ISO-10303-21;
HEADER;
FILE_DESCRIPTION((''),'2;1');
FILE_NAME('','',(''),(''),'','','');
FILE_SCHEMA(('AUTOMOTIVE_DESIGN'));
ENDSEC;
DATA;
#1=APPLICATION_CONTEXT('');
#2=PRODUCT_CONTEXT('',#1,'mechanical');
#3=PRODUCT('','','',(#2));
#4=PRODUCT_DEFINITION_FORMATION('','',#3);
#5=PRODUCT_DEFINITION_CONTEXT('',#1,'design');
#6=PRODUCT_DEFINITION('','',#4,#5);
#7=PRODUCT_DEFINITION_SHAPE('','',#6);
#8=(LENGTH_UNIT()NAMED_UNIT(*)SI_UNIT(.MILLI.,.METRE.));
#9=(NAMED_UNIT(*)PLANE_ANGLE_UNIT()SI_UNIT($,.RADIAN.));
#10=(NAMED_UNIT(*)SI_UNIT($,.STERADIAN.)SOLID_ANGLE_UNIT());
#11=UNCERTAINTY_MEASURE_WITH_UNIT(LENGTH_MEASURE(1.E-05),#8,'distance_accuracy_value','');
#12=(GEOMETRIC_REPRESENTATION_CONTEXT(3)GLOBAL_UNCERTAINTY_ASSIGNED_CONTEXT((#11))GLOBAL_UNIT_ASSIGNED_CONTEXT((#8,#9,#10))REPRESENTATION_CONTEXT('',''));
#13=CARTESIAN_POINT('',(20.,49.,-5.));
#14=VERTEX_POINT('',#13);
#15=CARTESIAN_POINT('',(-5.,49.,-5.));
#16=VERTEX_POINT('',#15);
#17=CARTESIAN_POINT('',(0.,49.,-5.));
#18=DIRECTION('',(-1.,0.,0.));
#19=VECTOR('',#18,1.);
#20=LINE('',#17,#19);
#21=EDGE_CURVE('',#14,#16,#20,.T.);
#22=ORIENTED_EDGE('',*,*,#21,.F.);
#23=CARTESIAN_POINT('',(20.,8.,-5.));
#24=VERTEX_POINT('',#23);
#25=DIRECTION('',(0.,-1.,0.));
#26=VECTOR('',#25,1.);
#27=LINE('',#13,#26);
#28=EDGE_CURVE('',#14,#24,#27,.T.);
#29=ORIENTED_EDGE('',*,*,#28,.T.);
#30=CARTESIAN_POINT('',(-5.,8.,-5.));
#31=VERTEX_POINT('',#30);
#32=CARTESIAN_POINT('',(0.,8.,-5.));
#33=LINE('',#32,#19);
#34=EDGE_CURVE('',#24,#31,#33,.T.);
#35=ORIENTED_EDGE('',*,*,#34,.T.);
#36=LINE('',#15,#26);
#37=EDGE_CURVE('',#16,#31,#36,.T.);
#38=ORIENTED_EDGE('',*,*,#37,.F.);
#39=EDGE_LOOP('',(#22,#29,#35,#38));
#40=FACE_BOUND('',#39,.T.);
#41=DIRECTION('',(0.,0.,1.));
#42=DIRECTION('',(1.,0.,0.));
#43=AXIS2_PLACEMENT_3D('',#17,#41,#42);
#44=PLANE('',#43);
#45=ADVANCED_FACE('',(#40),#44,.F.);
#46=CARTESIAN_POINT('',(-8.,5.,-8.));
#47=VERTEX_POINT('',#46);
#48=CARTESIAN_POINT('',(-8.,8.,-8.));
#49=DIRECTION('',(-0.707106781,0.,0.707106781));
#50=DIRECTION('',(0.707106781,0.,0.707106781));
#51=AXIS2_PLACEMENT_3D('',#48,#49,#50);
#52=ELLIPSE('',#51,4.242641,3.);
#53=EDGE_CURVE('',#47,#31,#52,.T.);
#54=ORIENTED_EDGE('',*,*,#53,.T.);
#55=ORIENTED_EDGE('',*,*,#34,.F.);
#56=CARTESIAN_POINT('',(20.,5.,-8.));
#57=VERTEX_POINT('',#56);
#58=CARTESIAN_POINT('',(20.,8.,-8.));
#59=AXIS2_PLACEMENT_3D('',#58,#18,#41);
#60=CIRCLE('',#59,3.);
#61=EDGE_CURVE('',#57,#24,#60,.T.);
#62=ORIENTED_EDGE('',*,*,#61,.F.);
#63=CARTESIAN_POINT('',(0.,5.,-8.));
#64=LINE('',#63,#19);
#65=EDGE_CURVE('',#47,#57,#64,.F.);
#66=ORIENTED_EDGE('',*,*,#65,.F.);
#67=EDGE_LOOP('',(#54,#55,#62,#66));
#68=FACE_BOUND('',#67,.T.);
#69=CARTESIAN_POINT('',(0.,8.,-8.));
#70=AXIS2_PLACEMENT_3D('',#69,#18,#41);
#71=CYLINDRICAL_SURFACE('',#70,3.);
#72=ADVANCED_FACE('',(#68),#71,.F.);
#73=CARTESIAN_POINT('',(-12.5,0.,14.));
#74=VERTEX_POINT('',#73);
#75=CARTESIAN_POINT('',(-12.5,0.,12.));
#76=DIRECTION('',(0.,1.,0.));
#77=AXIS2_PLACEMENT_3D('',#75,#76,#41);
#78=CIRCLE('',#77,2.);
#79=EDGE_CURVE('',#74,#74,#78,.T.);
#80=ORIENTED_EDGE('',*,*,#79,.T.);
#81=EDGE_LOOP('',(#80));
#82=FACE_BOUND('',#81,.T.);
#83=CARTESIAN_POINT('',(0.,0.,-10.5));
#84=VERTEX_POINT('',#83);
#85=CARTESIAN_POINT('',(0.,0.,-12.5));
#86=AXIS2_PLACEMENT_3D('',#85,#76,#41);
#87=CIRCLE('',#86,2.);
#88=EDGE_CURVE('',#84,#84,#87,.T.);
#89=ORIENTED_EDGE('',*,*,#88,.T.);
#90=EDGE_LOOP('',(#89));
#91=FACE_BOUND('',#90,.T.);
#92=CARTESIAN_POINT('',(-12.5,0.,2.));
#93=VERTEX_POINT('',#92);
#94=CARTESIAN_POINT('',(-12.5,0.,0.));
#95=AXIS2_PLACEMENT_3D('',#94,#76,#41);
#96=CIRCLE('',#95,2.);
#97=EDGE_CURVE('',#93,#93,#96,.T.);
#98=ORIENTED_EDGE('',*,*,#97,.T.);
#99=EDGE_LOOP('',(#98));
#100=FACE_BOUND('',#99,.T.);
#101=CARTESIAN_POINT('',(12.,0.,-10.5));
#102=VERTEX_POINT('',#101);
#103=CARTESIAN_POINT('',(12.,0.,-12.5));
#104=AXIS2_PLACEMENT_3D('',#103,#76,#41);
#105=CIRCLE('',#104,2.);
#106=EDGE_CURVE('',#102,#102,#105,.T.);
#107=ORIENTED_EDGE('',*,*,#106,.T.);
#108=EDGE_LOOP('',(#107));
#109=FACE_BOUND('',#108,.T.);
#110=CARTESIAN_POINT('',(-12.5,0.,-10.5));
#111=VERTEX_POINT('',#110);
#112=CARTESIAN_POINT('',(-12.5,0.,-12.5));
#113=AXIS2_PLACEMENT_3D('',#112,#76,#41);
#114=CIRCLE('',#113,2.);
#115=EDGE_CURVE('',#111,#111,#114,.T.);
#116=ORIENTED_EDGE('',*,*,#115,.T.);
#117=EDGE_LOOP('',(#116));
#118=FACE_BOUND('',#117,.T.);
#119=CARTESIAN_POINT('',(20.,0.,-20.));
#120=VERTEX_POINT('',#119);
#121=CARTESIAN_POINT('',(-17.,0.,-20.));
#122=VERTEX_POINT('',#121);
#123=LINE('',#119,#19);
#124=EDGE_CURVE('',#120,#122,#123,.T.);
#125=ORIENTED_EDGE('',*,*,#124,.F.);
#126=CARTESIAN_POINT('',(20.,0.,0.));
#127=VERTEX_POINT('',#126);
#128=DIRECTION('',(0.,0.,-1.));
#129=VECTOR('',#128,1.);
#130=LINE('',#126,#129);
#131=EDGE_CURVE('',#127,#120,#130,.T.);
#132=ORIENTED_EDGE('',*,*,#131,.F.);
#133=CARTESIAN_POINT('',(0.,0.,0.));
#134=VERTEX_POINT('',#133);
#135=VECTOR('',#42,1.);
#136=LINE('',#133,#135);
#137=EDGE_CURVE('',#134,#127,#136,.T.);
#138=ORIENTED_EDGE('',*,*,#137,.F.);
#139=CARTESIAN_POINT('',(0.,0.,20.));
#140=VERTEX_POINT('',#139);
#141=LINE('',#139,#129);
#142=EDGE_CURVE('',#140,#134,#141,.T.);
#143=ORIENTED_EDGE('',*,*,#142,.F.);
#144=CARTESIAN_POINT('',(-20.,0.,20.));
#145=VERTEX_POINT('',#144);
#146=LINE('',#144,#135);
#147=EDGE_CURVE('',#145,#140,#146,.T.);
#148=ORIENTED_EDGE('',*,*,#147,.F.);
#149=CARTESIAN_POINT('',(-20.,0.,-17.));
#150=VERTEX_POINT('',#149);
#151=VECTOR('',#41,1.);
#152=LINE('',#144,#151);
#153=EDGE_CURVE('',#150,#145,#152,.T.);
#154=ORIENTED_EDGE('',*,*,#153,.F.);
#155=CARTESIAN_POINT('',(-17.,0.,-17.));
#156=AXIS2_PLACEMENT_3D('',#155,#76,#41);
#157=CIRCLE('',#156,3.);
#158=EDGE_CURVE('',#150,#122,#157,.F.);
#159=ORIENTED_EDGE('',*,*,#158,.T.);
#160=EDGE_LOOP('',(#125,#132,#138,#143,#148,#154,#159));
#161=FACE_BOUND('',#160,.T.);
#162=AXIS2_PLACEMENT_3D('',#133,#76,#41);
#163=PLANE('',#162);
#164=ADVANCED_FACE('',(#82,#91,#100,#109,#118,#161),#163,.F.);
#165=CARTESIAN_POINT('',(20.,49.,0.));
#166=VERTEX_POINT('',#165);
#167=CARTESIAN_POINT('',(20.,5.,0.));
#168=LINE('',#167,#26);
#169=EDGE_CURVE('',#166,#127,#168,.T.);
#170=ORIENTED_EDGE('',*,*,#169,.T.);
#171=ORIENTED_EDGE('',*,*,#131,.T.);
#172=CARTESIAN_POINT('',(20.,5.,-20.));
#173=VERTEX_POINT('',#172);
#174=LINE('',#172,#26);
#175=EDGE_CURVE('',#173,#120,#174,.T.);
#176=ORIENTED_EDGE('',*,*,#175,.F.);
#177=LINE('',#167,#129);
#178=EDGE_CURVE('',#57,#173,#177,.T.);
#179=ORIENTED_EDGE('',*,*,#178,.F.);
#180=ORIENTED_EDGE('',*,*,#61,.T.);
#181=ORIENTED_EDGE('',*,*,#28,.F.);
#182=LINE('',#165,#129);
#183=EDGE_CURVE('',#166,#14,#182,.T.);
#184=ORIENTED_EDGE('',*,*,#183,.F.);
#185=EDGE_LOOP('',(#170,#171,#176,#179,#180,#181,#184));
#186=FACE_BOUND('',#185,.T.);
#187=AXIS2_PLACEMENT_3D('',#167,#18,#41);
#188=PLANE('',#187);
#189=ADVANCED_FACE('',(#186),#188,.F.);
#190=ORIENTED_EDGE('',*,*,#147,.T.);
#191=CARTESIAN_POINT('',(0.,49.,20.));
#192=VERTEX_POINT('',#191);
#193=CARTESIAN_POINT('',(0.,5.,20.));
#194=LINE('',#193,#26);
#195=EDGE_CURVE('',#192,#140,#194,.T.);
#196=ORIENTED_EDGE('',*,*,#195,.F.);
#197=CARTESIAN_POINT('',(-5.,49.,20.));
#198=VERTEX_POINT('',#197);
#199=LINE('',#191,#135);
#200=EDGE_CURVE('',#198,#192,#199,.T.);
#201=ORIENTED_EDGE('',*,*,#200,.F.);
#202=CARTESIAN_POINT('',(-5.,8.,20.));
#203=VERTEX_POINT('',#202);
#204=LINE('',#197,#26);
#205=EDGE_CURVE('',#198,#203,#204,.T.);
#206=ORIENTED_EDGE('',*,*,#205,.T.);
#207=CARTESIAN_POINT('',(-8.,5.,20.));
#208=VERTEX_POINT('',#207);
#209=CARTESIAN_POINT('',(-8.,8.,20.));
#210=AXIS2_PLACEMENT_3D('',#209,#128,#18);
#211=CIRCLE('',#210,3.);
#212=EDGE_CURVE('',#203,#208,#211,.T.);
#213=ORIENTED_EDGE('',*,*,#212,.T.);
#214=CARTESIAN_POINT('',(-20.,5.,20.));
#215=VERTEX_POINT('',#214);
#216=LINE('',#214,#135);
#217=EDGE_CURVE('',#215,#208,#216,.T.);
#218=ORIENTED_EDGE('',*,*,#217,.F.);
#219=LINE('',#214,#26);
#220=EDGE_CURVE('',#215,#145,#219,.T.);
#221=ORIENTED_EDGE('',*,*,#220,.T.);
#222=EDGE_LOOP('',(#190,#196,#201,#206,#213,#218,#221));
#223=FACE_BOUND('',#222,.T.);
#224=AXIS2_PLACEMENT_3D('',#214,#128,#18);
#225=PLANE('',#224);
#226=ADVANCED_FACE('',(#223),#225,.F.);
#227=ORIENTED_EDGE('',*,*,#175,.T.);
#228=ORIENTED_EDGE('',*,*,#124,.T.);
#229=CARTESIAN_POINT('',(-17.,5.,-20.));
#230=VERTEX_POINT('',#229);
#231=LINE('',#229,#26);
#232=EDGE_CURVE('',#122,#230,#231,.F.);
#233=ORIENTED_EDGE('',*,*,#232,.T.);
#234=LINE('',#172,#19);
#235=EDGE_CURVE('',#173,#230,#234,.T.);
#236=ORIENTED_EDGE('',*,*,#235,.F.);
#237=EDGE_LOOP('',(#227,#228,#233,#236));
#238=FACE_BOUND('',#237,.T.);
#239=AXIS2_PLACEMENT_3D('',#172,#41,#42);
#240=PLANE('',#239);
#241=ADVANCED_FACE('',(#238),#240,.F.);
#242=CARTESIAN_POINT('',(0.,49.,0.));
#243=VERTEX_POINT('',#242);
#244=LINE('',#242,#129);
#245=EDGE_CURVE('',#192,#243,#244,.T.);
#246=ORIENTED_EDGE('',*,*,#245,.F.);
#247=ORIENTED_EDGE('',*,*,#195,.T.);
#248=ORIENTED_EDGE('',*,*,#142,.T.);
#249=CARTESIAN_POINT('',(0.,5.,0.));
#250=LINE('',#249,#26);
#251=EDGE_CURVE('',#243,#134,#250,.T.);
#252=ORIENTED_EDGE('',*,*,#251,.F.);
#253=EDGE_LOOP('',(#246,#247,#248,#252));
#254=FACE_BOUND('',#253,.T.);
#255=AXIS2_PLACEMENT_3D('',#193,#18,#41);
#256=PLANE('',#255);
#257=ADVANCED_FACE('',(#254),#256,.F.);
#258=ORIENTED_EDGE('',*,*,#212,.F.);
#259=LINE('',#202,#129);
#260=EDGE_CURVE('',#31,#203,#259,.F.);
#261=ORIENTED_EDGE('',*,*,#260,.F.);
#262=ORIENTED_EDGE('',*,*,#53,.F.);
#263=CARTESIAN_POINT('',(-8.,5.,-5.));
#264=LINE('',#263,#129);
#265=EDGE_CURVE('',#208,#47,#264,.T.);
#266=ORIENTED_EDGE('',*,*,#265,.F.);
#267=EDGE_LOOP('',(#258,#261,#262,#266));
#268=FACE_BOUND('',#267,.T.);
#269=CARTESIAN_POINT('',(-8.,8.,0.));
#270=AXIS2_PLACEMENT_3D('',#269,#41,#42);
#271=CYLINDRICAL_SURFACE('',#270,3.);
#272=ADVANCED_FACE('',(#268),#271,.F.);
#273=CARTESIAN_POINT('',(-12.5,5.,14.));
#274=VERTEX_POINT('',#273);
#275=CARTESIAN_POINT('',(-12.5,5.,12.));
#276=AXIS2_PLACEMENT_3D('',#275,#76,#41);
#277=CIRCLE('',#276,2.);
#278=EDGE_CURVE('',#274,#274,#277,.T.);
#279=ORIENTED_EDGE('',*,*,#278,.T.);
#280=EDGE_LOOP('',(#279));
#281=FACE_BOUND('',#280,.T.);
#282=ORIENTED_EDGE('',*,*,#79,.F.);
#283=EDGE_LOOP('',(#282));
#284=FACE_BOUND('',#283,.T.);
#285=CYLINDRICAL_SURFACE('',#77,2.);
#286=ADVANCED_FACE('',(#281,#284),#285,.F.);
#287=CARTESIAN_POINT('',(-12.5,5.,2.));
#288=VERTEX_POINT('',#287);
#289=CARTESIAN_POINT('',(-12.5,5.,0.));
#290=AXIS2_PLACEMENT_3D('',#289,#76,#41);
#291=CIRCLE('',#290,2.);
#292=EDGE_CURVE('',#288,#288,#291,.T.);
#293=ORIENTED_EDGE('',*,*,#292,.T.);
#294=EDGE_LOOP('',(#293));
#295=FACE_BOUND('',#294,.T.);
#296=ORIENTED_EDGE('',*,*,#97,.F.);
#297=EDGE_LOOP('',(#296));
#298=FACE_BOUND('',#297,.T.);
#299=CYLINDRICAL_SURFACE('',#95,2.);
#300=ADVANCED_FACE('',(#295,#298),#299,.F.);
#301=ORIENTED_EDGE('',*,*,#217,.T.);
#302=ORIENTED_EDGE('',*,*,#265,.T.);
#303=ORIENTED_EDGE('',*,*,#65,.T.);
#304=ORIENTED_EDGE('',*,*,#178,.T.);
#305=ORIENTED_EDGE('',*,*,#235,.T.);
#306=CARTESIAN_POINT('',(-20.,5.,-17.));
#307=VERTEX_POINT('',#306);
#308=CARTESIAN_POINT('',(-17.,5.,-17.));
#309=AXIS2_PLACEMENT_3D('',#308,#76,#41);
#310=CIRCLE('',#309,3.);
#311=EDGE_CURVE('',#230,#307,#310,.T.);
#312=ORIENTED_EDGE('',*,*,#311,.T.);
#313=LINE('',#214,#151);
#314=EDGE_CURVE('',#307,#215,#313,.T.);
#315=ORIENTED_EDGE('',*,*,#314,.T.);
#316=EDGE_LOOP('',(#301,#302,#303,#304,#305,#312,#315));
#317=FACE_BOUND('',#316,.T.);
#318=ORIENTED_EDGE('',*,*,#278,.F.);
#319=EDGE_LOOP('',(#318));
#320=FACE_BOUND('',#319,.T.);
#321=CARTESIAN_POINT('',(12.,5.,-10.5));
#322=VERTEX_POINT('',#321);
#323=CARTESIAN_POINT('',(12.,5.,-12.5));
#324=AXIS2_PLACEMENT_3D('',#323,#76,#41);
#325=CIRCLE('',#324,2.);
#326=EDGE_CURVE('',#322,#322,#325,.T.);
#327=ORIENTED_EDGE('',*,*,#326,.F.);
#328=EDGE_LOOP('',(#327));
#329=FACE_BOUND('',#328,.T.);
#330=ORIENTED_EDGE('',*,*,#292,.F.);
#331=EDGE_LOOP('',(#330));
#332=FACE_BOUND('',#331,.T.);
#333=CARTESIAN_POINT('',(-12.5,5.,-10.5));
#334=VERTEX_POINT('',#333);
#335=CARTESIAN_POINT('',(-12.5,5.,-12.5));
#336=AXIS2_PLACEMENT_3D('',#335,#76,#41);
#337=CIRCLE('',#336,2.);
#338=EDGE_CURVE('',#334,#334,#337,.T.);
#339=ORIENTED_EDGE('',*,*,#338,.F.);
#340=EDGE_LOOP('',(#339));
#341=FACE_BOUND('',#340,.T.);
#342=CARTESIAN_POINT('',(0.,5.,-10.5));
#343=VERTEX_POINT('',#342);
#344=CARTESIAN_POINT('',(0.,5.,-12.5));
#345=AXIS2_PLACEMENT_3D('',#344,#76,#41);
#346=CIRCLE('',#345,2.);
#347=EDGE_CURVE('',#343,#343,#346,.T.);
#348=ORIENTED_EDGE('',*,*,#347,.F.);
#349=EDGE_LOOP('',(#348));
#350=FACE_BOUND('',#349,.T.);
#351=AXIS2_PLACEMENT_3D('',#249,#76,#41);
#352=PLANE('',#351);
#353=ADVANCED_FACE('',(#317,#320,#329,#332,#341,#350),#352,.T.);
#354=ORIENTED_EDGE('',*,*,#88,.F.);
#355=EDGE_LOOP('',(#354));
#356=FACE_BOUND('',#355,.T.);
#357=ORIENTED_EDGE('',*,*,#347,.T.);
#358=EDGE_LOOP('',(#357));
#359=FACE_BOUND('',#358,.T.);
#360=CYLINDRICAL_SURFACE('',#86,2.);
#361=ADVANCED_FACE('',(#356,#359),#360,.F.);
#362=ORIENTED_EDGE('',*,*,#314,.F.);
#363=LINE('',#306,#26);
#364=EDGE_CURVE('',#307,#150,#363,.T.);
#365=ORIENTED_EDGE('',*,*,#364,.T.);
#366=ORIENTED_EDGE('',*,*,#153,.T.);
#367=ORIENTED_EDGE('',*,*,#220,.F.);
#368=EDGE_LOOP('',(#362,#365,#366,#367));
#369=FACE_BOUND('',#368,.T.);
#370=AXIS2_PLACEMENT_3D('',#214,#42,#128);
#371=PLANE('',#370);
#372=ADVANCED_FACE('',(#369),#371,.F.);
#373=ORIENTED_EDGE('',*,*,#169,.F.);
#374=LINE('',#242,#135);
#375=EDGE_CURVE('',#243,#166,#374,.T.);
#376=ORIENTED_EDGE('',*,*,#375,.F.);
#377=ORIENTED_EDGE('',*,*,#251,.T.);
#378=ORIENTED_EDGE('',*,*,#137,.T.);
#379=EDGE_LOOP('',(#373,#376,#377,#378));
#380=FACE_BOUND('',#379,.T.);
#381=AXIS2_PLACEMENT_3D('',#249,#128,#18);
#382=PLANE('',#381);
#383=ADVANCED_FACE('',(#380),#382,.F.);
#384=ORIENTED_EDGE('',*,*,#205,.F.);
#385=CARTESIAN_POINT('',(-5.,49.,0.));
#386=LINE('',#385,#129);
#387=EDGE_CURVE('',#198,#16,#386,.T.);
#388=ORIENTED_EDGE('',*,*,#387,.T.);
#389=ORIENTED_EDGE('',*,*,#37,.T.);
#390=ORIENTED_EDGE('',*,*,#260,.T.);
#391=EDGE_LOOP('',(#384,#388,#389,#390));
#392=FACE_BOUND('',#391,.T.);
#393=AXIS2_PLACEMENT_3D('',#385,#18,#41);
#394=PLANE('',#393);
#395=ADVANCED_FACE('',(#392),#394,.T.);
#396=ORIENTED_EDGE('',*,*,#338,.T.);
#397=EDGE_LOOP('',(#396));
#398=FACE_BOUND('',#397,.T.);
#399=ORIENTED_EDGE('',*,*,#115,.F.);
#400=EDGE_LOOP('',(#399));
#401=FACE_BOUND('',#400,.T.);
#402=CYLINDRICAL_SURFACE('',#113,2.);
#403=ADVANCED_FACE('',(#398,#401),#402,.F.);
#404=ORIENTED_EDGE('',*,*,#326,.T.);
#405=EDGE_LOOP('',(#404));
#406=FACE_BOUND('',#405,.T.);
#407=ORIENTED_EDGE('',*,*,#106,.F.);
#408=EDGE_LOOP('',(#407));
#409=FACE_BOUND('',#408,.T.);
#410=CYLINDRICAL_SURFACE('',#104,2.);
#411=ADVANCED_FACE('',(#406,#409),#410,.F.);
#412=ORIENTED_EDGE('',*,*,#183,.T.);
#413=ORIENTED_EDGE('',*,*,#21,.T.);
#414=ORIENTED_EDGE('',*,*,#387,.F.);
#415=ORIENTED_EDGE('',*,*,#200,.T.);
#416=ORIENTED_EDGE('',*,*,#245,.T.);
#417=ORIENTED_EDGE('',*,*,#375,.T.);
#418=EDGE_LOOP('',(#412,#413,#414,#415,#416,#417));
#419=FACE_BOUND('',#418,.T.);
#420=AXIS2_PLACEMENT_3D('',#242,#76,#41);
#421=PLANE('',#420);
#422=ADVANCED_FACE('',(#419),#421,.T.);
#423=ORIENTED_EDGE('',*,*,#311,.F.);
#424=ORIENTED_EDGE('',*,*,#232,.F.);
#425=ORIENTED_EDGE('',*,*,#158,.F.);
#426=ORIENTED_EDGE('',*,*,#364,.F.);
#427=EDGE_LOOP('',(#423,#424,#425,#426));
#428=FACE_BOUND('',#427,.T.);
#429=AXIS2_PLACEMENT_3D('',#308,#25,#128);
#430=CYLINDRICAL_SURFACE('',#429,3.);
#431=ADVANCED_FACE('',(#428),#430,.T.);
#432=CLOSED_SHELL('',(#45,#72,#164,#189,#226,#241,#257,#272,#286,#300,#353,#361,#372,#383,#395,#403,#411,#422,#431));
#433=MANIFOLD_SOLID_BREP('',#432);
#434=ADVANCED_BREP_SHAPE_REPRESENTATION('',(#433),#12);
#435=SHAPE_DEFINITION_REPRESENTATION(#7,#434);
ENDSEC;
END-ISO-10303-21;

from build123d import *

# Parameters (mm, degrees)
BOSS_EXTRUDE1_DEPTH = 5
SKETCH2_W           = 5
SKETCH2_H           = 20
SKETCH2_H_2         = 5
SKETCH2_W_2         = 20
BOSS_EXTRUDE2_DEPTH = 44
SKETCH3_R           = 2
CUT_EXTRUDE1_DEPTH  = 53.306787322
FILLET1_R           = 3
FILLET2_R           = 3


with BuildPart() as part:
    # Sketch1 → Boss-Extrude1 (new body)
    with BuildSketch(Plane(origin=(0, 0, 0), x_dir=(1, 0, 0), z_dir=(0, 1, 0))):
        Polygon((20, 20), (-20, 20), (-20, -20), (0, -20), (0, 0), (20, 0), align=None)
    extrude(amount=BOSS_EXTRUDE1_DEPTH)

    # Sketch2 → Boss-Extrude2 (add)
    with BuildSketch(Plane(origin=(0, 5, 0), x_dir=(1, 0, 0), z_dir=(0, 1, 0))):
        with Locations((-2.5, -10)):
            Rectangle(SKETCH2_W, SKETCH2_H)
        with Locations((-2.5, 2.5)):
            Rectangle(SKETCH2_W, SKETCH2_H_2)
        with Locations((10, 2.5)):
            Rectangle(SKETCH2_W_2, SKETCH2_H_2)
    extrude(amount=BOSS_EXTRUDE2_DEPTH)

    # Sketch3 → Cut-Extrude1 (cut, through all)
    with BuildSketch(Plane(origin=(0, 5, 0), x_dir=(1, 0, 0), z_dir=(0, 1, 0))):
        with Locations(Location((-12.5, -12, 0), (0, 0, 270))):
            Circle(SKETCH3_R)
        with Locations(Location((-12.5, 12.5, 0), (0, 0, 270))):
            Circle(SKETCH3_R)
        with Locations(Location((12, 12.5, 0), (0, 0, 270))):
            Circle(SKETCH3_R)
        with Locations(Location((-12.5, 0, 0), (0, 0, 270))):
            Circle(SKETCH3_R)
        with Locations(Location((0, 12.5, 0), (0, 0, 270))):
            Circle(SKETCH3_R)
    extrude(amount=-CUT_EXTRUDE1_DEPTH, mode=Mode.SUBTRACT)

    # Fillet1
    fillet1_edges = [part.edges().sort_by_distance(p)[0] for p in [
        (7.5, 5, -5),
        (-5, 5, 7.5),
    ]]
    fillet(fillet1_edges, radius=FILLET1_R)

    # Fillet2
    fillet2_edges = [part.edges().sort_by_distance(p)[0] for p in [
        (-20, 2.5, -20),
    ]]
    fillet(fillet2_edges, radius=FILLET2_R)


solid = part.part
